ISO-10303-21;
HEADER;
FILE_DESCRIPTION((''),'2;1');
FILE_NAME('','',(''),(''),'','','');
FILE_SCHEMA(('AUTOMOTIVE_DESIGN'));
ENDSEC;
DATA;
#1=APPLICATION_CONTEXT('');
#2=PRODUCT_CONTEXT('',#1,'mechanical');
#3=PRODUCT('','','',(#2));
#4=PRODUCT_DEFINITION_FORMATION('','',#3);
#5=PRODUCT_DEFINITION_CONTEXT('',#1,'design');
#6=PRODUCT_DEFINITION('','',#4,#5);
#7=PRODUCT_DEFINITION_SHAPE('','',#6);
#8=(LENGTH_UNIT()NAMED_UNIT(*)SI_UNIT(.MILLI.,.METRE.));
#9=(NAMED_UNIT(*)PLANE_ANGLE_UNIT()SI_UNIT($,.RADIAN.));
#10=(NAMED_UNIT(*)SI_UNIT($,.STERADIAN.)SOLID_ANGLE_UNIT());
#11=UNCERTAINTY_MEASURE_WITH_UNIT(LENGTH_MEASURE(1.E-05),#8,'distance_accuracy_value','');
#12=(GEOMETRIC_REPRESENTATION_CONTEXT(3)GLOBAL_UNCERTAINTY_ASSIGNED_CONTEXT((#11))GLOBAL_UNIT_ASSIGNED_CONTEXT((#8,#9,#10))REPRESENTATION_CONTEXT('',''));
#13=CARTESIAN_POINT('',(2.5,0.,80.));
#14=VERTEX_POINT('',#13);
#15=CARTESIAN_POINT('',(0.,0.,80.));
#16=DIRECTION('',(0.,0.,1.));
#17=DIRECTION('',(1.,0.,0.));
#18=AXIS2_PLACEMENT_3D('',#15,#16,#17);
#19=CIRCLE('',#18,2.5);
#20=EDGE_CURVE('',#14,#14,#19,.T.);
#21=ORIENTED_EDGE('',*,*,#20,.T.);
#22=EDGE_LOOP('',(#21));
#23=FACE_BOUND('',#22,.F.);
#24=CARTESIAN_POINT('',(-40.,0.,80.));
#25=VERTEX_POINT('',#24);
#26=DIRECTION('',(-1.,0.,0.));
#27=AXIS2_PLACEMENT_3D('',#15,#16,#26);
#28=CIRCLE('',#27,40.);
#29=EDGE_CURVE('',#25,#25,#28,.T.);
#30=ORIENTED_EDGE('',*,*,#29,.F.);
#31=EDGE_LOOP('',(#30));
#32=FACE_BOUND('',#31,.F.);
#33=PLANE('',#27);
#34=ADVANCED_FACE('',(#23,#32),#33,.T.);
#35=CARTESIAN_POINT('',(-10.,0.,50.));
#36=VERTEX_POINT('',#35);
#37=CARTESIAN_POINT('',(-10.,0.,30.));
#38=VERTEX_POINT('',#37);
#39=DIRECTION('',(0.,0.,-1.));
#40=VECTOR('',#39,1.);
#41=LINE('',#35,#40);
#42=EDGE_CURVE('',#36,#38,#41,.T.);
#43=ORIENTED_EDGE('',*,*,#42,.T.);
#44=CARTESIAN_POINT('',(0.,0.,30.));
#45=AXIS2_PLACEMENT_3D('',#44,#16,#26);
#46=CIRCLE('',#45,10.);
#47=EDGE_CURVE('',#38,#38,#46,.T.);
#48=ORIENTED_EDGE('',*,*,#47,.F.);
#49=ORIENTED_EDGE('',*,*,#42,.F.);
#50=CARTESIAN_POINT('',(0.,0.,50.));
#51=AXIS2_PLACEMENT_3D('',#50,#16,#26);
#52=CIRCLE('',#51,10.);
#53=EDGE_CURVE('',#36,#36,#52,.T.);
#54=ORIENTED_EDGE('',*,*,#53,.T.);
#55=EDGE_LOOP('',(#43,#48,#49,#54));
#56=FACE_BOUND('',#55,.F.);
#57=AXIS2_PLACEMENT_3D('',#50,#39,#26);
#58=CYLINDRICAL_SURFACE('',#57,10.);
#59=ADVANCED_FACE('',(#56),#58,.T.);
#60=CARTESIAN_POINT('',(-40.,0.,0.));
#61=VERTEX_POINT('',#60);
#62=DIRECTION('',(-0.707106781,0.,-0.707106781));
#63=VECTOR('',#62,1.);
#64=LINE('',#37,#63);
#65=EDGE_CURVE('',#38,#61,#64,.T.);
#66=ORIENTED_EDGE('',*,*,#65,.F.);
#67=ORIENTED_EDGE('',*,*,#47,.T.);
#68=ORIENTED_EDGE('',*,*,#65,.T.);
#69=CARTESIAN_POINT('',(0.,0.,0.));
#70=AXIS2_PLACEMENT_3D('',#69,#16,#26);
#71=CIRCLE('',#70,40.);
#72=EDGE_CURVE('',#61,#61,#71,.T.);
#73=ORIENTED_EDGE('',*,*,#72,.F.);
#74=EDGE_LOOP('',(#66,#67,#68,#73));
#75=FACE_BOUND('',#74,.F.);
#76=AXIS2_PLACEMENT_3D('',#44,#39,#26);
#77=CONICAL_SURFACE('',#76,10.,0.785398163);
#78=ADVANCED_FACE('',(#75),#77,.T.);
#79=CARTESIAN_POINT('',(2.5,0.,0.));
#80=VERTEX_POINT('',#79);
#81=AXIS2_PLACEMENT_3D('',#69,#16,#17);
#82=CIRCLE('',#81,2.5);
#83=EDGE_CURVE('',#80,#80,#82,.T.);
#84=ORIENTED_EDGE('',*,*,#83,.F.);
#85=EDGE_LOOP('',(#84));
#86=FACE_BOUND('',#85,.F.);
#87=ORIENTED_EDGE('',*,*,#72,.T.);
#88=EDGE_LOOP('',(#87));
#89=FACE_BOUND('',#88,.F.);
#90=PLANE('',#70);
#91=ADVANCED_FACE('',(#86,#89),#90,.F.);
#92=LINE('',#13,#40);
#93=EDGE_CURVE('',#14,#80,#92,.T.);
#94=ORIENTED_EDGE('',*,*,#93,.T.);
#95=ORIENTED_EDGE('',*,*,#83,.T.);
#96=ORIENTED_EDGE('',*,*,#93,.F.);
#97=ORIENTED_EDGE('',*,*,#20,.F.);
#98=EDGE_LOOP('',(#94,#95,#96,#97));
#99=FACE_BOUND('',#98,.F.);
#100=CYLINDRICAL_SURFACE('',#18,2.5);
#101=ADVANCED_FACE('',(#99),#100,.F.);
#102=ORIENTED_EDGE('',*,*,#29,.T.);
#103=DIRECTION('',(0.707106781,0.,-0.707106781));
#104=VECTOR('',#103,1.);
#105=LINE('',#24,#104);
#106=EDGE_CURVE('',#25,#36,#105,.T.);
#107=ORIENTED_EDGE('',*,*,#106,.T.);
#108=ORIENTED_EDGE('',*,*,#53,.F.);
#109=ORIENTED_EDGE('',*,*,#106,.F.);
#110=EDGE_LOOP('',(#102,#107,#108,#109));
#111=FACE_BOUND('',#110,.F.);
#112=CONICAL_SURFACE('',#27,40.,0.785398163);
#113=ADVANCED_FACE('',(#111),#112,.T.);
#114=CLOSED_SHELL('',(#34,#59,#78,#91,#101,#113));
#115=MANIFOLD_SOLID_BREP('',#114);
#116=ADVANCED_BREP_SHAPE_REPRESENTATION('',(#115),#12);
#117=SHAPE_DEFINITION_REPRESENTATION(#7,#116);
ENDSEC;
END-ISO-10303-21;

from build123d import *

# Parameters (mm, degrees)
F2_R     = 2.5
F3_DEPTH = 80


with BuildPart() as f1:
    # F0 (on Front) → F1 (revolve)
    with BuildSketch(Plane.XZ):
        Polygon((-40, 0), (0, 0), (0, 80), (-40, 80), (-10, 50), (-10, 30), align=None)
    revolve(axis=Axis((0, 0, 40), (0, 0, 1)))

    # F2 (on face) → F3 (cut, through all)
    with BuildSketch(Plane.XY.offset(80)):
        Circle(F2_R)
    extrude(amount=-F3_DEPTH, mode=Mode.SUBTRACT)


solid = f1.part
